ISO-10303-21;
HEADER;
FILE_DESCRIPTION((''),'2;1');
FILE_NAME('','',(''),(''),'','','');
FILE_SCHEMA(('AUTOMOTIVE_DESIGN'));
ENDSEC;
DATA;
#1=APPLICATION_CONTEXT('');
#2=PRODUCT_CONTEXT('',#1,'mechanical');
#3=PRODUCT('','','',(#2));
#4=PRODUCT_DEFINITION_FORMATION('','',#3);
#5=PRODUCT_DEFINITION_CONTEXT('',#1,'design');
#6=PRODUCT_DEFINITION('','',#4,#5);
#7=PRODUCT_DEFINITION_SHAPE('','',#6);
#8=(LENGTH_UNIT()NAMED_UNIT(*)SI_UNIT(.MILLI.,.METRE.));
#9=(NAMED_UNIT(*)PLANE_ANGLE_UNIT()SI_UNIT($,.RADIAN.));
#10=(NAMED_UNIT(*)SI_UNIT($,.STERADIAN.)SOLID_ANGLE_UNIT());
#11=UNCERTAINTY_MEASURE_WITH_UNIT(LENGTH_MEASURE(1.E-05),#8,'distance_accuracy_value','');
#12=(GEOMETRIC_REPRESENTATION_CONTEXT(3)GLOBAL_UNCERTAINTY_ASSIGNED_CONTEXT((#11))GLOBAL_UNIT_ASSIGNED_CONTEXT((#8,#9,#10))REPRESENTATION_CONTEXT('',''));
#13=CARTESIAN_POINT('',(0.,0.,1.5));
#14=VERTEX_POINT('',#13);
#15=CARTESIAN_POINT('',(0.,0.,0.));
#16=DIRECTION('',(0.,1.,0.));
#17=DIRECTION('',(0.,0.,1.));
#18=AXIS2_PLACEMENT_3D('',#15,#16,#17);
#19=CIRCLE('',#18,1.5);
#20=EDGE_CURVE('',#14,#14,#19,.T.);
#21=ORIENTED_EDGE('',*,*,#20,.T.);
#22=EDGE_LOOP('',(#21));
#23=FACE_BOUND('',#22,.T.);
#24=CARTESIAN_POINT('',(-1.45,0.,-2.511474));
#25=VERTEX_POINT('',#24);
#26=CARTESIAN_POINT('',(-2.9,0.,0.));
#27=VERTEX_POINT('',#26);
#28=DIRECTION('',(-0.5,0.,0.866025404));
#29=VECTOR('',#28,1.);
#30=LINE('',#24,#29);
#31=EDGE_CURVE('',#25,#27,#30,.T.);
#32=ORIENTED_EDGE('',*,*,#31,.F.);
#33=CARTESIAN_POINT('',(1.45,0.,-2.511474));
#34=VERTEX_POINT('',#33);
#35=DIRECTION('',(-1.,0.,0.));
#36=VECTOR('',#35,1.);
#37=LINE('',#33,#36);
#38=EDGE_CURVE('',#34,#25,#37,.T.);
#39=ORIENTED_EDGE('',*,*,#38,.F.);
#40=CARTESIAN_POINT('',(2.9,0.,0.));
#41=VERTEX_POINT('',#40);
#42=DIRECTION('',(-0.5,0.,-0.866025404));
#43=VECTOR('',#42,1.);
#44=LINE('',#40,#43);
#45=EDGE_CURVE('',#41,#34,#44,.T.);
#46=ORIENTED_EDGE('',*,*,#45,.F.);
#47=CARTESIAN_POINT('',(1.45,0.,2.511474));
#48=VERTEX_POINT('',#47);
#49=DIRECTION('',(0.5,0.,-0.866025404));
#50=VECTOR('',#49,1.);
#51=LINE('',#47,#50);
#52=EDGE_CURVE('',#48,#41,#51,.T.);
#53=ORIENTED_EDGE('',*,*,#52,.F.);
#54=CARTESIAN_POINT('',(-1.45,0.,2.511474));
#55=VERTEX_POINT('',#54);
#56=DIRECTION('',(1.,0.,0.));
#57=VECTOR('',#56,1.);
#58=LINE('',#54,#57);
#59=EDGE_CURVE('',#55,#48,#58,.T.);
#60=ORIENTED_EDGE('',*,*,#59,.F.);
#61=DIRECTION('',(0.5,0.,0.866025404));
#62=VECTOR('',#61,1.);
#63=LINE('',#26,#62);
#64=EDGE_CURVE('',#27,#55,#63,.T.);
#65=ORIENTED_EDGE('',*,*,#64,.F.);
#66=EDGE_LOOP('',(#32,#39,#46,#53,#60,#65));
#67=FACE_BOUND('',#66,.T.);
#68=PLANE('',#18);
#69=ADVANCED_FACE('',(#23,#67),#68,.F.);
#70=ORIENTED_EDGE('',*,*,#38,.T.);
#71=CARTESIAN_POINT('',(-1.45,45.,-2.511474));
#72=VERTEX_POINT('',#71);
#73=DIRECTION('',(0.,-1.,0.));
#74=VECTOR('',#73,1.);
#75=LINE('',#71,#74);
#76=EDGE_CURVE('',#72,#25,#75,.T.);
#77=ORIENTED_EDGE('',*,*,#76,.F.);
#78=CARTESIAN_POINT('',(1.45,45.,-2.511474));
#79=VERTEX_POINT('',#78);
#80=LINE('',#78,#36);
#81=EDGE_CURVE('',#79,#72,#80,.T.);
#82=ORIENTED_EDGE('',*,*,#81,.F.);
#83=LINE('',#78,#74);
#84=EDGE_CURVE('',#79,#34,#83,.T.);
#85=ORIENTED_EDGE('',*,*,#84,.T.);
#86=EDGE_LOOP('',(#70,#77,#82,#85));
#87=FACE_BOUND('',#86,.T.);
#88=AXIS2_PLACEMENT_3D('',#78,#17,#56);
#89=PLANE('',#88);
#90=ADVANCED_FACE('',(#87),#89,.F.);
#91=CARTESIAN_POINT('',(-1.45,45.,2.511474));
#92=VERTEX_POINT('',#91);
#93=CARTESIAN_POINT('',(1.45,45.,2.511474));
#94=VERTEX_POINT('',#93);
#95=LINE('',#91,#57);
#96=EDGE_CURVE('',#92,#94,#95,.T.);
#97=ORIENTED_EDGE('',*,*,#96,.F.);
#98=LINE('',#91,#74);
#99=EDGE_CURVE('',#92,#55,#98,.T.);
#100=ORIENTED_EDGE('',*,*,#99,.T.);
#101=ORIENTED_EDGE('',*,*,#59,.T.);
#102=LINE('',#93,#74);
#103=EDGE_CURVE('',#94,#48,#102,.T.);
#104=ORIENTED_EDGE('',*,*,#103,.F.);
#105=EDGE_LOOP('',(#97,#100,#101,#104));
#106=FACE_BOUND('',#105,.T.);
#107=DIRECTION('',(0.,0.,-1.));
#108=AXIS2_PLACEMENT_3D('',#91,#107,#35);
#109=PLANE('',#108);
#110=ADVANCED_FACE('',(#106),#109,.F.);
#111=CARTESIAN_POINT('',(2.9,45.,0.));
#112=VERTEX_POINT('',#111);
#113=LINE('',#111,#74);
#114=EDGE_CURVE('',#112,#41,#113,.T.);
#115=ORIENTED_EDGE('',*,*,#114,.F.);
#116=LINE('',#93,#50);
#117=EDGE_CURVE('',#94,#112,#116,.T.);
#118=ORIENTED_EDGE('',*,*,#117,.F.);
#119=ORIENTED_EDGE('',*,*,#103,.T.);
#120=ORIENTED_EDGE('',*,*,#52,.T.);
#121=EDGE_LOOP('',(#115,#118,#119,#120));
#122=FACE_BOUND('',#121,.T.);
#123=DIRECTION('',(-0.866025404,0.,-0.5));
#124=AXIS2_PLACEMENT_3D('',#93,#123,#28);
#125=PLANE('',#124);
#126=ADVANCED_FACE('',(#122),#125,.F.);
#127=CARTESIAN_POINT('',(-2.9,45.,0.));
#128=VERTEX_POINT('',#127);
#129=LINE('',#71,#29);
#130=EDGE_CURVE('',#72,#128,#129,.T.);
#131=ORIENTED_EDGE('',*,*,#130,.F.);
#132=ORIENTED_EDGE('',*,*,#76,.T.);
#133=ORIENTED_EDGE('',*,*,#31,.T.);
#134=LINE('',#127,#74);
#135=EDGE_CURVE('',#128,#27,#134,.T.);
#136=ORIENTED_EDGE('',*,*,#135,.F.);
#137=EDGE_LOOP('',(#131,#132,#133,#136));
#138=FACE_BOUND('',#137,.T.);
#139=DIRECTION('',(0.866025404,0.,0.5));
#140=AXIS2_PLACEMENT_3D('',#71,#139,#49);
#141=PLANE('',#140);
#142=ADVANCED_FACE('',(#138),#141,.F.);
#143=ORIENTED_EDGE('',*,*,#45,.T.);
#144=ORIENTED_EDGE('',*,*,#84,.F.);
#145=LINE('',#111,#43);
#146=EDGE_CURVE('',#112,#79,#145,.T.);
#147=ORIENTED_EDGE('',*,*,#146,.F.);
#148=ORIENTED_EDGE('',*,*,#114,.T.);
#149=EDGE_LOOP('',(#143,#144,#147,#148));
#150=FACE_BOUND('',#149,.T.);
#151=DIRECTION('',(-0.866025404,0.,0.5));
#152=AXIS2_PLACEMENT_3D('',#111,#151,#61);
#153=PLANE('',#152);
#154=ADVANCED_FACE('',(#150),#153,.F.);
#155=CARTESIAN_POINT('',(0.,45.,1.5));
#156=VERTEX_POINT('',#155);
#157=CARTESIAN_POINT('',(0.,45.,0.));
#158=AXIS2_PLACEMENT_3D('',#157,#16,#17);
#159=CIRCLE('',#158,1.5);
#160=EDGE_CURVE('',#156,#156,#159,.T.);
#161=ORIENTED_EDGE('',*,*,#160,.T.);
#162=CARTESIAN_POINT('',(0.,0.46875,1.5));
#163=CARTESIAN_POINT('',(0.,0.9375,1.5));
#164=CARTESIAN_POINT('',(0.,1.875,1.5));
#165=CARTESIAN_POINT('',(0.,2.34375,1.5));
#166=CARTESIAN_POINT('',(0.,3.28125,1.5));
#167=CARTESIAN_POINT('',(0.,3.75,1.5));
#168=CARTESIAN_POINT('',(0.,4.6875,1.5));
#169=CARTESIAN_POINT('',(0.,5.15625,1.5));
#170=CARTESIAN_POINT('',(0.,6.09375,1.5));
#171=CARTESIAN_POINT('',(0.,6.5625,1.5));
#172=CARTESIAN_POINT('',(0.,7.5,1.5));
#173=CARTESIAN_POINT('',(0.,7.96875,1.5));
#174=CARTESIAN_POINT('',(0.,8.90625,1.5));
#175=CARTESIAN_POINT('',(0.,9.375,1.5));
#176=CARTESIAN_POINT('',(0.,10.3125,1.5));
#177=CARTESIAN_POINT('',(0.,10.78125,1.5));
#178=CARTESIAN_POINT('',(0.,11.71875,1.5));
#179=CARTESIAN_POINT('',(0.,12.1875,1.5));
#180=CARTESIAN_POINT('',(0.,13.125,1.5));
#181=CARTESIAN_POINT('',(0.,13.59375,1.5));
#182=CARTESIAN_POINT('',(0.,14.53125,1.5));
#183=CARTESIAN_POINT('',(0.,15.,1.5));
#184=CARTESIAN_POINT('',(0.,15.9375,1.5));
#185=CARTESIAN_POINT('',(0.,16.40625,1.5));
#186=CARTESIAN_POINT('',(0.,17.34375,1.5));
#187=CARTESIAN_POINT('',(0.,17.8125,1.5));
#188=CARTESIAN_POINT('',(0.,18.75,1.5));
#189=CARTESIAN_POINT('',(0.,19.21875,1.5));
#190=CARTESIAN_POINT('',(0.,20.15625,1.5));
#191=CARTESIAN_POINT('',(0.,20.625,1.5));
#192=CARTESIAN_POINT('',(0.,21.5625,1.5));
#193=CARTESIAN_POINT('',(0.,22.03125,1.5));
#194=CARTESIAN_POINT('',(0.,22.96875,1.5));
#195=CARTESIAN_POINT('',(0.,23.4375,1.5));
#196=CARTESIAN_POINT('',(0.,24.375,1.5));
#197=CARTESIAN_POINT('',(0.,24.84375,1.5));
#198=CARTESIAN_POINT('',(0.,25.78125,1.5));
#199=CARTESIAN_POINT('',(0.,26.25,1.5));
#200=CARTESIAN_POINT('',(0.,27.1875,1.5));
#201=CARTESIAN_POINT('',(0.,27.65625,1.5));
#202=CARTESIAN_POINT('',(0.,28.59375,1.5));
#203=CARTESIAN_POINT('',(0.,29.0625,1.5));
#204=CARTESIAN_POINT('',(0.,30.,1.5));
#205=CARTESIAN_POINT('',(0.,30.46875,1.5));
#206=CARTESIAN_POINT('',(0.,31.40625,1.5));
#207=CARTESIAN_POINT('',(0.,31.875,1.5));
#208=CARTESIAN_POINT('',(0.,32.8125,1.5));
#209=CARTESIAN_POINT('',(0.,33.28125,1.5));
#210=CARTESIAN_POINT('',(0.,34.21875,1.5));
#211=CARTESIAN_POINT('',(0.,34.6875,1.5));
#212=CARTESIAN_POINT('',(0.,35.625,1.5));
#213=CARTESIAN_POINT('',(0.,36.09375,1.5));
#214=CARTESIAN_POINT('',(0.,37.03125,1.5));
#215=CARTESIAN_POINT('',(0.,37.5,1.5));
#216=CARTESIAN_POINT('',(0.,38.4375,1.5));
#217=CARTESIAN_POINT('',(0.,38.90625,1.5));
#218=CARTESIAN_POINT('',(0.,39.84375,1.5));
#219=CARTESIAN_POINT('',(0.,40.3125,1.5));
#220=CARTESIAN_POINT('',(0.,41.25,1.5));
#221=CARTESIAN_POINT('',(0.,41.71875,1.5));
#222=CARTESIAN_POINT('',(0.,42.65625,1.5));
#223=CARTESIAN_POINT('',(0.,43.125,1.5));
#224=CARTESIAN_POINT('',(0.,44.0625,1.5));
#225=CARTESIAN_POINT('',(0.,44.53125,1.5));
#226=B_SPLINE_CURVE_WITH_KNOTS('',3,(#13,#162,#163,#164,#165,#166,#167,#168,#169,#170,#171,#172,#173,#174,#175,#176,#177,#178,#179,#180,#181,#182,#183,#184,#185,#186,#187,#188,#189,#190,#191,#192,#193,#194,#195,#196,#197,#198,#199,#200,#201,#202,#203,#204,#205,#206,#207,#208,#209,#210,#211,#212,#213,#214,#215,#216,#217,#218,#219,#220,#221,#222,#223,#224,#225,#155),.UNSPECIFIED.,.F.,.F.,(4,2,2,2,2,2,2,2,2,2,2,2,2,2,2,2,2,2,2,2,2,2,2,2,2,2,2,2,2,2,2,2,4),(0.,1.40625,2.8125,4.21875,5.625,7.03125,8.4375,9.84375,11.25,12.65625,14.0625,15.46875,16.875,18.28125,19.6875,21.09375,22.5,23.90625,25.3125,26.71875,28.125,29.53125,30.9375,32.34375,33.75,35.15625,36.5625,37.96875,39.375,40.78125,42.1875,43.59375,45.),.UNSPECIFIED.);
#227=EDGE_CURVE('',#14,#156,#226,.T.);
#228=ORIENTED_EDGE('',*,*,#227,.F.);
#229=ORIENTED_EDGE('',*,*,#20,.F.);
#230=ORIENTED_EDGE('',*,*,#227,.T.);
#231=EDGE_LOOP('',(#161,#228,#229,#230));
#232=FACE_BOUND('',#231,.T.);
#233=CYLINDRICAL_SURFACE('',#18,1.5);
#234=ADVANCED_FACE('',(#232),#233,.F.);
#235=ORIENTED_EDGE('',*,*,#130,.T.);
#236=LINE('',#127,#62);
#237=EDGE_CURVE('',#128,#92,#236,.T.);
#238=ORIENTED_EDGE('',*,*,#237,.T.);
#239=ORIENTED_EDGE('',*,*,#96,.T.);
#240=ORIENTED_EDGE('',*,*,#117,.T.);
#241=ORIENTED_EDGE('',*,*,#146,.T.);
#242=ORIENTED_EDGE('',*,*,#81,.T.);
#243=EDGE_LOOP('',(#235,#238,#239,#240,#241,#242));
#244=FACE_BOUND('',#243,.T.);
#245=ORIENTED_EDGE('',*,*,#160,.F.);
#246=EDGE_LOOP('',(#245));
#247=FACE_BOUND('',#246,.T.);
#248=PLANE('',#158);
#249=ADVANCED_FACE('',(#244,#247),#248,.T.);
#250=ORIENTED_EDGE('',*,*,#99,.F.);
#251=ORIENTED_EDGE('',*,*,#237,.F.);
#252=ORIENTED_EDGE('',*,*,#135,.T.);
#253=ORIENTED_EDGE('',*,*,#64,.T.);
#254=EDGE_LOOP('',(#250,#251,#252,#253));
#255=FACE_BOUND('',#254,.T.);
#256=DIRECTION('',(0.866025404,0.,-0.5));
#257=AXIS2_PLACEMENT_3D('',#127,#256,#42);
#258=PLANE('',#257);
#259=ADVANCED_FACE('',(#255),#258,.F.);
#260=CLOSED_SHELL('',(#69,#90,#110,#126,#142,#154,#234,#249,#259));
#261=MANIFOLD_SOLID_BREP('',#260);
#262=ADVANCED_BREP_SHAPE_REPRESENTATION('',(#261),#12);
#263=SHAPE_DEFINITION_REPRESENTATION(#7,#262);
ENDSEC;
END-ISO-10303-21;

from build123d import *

# Parameters (mm, degrees)
SALIENTE_EXTRUIR2_DEPTH = 45
CROQUIS2_R              = 1.5
CORTAR_EXTRUIR1_DEPTH   = 45


with BuildPart() as part:
    # Croquis1 → Saliente-Extruir2 (new body)
    with BuildSketch(Plane(origin=(0, 0, 0), x_dir=(1, 0, 0), z_dir=(0, 1, 0))):
        Polygon((2.9, 0), (1.45, 2.511473671), (-1.45, 2.511473671), (-2.9, 0), (-1.45, -2.511473671), (1.45, -2.511473671), align=None)
    extrude(amount=SALIENTE_EXTRUIR2_DEPTH)

    # Croquis2 → Cortar-Extruir1 (cut)
    with BuildSketch(Plane(origin=(0, 45, 0), x_dir=(1, 0, 0), z_dir=(0, 1, 0))):
        with Locations(Location((0, 0, 0), (0, 0, 270))):
            Circle(CROQUIS2_R)
    extrude(amount=-CORTAR_EXTRUIR1_DEPTH, mode=Mode.SUBTRACT)


solid = part.part
